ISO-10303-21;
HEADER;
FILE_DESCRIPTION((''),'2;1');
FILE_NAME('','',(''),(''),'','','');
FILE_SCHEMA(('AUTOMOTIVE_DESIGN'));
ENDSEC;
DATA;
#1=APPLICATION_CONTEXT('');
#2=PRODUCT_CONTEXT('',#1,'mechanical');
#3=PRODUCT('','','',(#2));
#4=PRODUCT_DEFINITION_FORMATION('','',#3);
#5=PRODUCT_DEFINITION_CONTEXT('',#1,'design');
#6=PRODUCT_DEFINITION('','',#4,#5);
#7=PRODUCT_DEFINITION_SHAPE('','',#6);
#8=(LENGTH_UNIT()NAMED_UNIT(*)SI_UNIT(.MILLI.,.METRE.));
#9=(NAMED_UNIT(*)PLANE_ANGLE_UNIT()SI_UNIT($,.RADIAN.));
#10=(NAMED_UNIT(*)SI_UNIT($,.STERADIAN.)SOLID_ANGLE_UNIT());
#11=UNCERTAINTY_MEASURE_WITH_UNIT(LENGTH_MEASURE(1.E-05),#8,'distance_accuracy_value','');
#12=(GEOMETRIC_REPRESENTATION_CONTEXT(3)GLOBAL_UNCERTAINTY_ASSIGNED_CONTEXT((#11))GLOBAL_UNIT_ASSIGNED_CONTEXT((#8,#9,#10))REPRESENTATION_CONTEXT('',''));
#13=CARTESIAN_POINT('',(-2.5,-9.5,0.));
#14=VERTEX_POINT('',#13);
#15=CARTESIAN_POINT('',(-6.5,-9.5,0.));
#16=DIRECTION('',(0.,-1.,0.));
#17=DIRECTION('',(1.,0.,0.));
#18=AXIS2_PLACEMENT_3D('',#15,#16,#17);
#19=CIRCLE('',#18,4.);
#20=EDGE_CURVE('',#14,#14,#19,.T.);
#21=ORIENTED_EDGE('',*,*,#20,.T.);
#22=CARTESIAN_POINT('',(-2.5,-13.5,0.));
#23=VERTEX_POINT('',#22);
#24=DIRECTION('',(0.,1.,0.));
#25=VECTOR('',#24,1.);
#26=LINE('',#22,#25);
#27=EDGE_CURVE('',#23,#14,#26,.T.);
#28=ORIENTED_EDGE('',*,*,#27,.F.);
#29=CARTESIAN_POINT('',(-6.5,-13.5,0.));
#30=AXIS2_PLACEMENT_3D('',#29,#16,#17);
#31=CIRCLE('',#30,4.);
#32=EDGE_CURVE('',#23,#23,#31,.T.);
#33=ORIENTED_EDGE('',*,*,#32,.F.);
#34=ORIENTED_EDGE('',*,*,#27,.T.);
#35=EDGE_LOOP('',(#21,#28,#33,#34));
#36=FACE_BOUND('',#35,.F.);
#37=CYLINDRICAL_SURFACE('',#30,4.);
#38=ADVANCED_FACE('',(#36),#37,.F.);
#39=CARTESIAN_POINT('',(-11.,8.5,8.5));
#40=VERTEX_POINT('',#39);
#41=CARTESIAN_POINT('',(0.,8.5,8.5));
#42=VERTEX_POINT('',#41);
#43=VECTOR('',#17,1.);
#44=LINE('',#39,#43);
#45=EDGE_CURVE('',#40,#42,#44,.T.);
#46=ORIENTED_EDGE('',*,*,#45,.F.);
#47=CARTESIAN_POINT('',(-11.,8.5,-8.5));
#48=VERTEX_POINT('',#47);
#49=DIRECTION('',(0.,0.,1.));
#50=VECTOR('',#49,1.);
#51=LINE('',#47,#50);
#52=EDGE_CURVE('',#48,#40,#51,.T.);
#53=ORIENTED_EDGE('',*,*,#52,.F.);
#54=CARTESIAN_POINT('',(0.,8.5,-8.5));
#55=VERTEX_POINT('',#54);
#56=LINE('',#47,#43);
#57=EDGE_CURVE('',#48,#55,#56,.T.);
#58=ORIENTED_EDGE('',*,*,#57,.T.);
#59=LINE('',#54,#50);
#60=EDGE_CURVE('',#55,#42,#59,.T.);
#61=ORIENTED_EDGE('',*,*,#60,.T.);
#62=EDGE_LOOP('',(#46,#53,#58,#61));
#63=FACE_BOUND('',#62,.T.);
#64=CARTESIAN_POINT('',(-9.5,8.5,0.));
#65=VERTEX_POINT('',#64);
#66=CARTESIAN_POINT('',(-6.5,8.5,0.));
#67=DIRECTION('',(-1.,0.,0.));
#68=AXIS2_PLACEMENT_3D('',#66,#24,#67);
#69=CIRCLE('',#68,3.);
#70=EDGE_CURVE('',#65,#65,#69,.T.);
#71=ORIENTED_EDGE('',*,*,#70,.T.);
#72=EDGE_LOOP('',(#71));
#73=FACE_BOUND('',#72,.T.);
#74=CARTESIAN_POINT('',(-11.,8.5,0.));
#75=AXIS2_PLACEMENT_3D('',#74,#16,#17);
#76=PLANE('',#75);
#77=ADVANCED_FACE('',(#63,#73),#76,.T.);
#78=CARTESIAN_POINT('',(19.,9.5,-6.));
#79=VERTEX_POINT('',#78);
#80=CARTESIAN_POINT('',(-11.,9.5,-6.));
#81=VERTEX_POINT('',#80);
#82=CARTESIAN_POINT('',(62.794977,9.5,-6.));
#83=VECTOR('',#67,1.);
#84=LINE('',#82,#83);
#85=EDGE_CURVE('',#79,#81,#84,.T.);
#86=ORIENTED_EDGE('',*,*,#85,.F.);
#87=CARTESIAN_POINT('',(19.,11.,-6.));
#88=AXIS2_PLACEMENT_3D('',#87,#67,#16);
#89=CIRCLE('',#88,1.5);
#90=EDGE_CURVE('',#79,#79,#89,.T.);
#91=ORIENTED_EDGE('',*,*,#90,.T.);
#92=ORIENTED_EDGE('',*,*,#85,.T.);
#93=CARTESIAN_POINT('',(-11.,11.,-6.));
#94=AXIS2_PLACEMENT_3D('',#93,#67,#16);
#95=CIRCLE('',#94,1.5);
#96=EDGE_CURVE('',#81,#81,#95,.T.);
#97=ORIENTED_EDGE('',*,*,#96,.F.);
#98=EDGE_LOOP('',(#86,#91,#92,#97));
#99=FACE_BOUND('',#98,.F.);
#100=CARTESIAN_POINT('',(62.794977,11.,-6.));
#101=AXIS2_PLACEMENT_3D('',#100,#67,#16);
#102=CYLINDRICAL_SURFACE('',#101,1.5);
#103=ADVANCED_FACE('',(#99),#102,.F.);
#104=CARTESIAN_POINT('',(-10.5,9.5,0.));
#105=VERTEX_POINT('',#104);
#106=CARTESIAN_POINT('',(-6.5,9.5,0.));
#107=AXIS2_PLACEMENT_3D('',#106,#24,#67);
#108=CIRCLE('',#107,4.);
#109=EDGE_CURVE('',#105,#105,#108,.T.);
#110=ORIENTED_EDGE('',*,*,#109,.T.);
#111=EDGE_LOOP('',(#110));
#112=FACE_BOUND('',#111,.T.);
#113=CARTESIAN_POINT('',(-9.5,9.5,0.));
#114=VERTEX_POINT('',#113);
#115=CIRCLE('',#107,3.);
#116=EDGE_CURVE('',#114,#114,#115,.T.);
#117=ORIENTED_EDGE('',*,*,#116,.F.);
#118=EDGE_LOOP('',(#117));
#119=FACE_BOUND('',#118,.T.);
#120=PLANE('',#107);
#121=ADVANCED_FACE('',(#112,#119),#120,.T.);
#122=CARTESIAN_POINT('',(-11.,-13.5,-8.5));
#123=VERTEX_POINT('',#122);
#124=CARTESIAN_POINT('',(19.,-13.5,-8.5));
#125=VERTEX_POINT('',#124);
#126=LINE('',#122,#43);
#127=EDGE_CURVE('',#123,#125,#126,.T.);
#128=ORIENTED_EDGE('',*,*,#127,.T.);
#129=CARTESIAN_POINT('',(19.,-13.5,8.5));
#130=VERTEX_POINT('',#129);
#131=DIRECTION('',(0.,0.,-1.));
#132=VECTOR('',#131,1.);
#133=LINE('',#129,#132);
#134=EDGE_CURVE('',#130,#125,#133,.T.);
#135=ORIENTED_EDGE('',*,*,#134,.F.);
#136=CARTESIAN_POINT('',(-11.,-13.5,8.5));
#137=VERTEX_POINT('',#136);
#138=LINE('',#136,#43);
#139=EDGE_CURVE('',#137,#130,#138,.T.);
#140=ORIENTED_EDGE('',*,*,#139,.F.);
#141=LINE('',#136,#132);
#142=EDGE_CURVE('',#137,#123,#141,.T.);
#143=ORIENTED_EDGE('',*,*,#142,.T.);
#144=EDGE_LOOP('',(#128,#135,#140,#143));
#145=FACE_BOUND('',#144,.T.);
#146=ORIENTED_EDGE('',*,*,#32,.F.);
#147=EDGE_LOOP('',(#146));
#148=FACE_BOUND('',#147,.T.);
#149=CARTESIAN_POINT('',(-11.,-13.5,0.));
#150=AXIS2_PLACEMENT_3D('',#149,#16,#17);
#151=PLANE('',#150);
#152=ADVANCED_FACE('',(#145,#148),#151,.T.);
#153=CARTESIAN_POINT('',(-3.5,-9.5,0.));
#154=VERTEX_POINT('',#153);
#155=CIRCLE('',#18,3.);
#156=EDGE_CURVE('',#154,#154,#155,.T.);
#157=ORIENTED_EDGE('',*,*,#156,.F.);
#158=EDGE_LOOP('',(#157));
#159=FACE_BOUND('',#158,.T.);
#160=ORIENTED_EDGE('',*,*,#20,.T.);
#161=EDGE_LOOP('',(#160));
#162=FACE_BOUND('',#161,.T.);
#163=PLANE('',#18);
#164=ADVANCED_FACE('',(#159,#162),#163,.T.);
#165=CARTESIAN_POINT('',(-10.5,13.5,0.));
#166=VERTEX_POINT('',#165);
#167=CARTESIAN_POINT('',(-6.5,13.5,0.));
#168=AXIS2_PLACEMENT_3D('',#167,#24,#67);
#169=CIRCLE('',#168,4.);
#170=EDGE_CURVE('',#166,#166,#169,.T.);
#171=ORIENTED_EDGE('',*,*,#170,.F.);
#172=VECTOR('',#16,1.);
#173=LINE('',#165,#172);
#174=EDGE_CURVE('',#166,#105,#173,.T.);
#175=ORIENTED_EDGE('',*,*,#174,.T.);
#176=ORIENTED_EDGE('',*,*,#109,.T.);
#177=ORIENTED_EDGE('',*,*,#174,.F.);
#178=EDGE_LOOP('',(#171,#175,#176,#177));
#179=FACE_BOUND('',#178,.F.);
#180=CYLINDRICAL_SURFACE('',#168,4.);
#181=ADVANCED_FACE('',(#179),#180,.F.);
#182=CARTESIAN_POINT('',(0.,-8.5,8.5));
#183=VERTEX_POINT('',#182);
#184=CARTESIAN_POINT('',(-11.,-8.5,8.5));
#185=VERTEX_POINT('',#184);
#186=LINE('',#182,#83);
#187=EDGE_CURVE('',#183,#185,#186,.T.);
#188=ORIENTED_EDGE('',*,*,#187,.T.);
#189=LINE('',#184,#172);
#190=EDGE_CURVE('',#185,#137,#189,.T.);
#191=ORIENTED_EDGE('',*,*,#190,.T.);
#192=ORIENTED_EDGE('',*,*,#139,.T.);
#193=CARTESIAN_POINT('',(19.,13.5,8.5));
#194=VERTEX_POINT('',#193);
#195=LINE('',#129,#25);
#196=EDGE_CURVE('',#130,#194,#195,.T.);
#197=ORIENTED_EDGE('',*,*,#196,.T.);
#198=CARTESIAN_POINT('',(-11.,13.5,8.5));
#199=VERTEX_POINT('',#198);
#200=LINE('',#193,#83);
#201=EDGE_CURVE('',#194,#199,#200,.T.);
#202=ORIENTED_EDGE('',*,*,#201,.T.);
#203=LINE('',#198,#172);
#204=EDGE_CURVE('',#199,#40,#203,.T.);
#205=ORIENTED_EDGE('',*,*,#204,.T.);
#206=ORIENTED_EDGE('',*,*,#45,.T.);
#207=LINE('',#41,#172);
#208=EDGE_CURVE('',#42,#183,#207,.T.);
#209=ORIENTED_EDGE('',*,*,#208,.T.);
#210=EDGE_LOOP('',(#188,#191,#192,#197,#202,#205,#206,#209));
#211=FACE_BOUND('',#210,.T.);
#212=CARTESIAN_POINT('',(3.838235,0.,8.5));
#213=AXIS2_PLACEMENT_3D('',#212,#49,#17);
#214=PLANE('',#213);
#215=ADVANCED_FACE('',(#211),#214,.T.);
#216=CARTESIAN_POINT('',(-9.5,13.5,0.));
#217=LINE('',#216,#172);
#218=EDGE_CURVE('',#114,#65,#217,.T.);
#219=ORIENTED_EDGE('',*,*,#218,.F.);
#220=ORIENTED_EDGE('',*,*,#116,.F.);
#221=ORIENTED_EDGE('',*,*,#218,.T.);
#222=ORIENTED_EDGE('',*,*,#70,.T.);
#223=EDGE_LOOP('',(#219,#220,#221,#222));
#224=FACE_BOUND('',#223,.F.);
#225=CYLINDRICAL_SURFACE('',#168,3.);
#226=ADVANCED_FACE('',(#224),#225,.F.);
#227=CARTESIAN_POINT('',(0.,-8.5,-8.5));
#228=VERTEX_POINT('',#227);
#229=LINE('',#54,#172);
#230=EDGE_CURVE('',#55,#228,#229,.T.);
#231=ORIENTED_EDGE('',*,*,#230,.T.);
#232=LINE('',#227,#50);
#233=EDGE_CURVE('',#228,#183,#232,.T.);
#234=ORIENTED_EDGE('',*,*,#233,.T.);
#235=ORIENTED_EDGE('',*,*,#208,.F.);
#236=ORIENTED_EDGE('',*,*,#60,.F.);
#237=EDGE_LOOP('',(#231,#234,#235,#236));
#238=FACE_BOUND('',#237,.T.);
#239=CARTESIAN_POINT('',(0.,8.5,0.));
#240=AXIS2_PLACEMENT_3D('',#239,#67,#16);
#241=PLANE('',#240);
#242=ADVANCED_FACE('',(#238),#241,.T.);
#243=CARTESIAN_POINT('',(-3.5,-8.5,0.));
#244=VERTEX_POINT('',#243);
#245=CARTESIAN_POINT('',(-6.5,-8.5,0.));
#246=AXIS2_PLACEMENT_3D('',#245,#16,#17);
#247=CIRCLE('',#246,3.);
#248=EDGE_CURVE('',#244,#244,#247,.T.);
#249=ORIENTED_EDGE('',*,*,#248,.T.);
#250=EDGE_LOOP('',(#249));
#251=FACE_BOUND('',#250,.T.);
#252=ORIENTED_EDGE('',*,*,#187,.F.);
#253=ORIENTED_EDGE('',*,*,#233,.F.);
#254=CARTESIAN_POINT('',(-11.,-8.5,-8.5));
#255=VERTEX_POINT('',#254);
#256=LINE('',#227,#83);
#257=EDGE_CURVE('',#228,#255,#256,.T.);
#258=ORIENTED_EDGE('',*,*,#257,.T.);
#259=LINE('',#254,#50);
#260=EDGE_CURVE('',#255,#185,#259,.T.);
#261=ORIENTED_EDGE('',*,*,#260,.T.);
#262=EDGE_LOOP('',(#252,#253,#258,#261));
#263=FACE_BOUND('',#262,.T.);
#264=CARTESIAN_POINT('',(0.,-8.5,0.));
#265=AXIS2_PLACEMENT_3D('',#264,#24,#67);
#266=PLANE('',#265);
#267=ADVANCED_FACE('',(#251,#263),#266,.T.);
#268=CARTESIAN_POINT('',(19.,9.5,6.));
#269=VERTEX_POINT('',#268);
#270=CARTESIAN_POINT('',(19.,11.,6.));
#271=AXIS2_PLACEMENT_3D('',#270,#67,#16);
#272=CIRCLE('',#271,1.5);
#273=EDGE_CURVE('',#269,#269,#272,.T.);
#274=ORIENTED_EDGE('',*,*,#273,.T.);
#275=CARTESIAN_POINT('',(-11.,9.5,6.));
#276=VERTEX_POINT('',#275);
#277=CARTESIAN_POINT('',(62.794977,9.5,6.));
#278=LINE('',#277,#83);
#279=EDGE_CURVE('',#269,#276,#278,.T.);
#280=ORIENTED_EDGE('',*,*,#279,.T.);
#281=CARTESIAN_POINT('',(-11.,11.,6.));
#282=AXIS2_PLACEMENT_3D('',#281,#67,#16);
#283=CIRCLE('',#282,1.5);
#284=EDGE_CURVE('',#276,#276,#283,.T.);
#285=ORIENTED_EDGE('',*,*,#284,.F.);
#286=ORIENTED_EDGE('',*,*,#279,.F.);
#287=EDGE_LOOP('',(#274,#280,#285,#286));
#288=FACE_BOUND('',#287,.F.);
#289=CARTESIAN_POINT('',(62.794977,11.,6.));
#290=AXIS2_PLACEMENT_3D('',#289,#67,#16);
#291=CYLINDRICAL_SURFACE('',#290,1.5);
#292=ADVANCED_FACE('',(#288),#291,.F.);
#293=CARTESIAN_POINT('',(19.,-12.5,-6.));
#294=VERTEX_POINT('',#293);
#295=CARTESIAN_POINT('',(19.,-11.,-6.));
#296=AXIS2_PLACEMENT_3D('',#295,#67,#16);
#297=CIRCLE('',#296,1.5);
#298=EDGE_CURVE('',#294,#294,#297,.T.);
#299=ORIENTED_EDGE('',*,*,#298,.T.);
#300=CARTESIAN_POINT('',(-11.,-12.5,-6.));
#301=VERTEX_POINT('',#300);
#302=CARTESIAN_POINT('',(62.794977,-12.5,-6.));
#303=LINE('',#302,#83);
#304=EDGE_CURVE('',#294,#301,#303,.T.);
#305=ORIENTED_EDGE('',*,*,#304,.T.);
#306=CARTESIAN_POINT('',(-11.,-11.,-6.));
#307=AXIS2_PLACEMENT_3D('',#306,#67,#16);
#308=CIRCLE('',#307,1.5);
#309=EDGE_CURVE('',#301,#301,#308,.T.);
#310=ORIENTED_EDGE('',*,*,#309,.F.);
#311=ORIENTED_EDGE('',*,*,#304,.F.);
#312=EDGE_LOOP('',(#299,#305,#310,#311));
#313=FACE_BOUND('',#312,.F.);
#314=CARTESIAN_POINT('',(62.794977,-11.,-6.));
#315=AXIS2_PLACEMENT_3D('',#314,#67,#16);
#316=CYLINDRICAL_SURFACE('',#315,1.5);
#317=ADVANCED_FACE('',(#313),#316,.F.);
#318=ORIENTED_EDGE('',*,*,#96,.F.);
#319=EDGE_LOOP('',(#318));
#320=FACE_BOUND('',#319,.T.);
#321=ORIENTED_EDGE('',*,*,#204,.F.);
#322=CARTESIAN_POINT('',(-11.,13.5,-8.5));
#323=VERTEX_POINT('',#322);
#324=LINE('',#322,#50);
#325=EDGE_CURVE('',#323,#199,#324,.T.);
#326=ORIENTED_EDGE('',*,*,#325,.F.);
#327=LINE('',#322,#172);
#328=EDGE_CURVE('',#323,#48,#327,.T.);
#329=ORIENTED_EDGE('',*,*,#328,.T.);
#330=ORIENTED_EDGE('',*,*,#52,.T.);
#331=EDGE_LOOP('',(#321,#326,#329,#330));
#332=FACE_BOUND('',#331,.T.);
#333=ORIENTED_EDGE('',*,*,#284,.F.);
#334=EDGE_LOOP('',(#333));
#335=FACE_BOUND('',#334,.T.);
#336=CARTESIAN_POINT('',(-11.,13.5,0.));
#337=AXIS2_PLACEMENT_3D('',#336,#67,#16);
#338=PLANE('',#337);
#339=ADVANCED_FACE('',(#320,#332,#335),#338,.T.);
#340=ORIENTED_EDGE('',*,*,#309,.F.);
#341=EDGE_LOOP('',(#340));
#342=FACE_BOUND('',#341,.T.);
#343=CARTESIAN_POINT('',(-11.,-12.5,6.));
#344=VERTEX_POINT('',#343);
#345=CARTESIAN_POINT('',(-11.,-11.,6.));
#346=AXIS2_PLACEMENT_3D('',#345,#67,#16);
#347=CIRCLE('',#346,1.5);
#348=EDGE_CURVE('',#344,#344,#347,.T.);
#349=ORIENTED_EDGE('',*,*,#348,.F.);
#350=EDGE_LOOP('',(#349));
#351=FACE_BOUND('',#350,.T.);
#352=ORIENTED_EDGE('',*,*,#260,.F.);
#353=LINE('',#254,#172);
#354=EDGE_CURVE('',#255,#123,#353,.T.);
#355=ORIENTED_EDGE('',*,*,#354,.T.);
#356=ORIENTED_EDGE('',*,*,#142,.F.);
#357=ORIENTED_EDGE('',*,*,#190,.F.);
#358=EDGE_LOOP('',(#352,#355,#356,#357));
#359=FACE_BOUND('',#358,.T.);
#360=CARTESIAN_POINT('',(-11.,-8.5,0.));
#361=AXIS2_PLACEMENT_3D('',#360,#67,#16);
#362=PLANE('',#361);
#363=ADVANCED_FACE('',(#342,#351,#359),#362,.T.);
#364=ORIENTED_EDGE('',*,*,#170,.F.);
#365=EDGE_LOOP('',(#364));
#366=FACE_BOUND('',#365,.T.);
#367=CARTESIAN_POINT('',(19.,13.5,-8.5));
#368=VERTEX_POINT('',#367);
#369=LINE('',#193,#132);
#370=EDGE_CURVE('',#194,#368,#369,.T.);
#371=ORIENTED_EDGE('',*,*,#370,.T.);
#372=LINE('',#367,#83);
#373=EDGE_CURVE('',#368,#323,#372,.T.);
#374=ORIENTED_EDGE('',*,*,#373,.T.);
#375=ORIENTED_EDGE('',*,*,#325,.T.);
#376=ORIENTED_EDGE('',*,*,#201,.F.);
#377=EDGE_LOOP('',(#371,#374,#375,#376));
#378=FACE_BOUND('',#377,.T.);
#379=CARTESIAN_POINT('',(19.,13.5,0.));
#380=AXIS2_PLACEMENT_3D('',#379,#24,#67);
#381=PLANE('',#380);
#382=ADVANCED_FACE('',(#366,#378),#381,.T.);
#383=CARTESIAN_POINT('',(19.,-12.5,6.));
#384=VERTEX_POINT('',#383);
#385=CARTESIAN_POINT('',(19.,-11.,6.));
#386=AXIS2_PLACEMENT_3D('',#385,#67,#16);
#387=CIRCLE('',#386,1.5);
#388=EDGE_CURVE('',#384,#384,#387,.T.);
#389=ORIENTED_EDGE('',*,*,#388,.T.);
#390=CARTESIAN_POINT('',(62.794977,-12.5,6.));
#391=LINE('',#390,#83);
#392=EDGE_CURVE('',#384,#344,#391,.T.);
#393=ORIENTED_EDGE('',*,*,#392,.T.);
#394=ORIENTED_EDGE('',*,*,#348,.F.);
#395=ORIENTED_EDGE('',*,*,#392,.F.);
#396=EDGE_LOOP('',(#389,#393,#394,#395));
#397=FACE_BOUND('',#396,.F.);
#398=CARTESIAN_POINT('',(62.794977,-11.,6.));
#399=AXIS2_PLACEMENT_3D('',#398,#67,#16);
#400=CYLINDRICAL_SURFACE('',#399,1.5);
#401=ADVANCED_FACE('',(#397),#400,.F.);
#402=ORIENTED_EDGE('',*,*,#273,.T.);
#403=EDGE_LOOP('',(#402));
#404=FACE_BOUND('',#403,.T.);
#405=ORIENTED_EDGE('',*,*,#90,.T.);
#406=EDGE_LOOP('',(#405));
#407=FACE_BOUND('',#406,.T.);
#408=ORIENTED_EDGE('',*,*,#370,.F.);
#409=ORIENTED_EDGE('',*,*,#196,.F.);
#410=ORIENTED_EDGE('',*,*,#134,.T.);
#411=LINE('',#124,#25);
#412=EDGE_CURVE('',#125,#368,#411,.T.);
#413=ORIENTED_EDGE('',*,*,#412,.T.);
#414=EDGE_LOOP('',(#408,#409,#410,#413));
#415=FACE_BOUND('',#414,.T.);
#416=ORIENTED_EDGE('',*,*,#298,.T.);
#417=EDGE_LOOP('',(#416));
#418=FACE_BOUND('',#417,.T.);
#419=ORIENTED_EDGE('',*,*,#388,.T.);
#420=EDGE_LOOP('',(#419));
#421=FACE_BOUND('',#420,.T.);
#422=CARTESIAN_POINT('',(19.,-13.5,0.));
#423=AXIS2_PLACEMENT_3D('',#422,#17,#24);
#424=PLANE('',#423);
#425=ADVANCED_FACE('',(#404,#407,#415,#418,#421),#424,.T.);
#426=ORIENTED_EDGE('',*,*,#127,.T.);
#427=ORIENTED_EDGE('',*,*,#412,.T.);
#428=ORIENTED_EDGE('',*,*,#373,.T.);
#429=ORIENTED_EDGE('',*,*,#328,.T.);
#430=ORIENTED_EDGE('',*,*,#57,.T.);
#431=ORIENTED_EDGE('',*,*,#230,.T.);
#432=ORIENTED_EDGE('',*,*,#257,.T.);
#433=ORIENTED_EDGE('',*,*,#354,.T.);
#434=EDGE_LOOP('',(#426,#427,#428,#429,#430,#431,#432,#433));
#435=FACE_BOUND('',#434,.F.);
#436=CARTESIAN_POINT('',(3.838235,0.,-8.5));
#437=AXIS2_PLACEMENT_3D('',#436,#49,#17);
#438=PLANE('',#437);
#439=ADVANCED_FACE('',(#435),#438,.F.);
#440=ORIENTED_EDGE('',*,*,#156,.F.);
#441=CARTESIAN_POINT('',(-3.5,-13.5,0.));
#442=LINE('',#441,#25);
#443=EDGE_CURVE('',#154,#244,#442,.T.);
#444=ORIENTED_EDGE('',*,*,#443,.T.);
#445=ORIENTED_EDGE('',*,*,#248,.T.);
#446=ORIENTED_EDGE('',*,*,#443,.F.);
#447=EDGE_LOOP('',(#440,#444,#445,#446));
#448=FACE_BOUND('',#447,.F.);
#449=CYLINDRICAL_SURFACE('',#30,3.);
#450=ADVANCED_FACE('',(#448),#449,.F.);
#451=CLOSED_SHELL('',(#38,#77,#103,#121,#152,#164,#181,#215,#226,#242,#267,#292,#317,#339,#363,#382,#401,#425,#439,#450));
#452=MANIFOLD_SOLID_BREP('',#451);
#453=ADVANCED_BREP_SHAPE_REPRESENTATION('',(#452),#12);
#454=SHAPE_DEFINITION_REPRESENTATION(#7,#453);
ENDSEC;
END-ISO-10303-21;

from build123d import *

# Parameters (mm, degrees)
F1_DEPTH = 8.5
F2_R     = 3
F3_DEPTH = 5
F2_R_2   = 4
F4_DEPTH = 4
F5_R     = 3
F6_DEPTH = 5
F5_R_2   = 4
F7_DEPTH = 4
F9_D     = 3


with BuildPart() as f1:
    # F0 (on Top) → F1 (new body, symmetric)
    with BuildSketch(Plane.XY):
        Polygon((19, 13.5), (-11, 13.5), (-11, 8.5), (0, 8.5), (0, -8.5), (-11, -8.5), (-11, -13.5), (19, -13.5), align=None)
    extrude(amount=F1_DEPTH, both=True)

    # F2 (on face) → F3 (cut, through all)
    with BuildSketch(Plane.XZ.offset(13.5)):
        with Locations((-6.5, 0)):
            Circle(F2_R)
    extrude(amount=-F3_DEPTH, mode=Mode.SUBTRACT)

    # F2 (on face) → F4 (cut)
    with BuildSketch(Plane.XZ.offset(13.5)):
        with Locations((-6.5, 0)):
            Circle(F2_R_2)
        with Locations((-6.5, 0)):
            Circle(F2_R, mode=Mode.SUBTRACT)
    extrude(amount=-F4_DEPTH, mode=Mode.SUBTRACT)

    # F5 (on face) → F6 (cut, through all)
    with BuildSketch(Plane(origin=(0, 13.5, 0), x_dir=(-1, 0, 0), z_dir=(0, 1, 0))):
        with Locations((6.5, 0)):
            Circle(F5_R)
    extrude(amount=-F6_DEPTH, mode=Mode.SUBTRACT)

    # F5 (on face) → F7 (cut)
    with BuildSketch(Plane(origin=(0, 13.5, 0), x_dir=(-1, 0, 0), z_dir=(0, 1, 0))):
        with Locations((6.5, 0)):
            Circle(F5_R_2)
        with Locations((6.5, 0)):
            Circle(F5_R, mode=Mode.SUBTRACT)
    extrude(amount=-F7_DEPTH, mode=Mode.SUBTRACT)

    # F9 (through all)
    with Locations(Plane.YZ.offset(19)):
        with Locations((-11, 6), (-11, -6), (11, -6), (11, 6)):
            Hole(F9_D / 2)


solid = f1.part
